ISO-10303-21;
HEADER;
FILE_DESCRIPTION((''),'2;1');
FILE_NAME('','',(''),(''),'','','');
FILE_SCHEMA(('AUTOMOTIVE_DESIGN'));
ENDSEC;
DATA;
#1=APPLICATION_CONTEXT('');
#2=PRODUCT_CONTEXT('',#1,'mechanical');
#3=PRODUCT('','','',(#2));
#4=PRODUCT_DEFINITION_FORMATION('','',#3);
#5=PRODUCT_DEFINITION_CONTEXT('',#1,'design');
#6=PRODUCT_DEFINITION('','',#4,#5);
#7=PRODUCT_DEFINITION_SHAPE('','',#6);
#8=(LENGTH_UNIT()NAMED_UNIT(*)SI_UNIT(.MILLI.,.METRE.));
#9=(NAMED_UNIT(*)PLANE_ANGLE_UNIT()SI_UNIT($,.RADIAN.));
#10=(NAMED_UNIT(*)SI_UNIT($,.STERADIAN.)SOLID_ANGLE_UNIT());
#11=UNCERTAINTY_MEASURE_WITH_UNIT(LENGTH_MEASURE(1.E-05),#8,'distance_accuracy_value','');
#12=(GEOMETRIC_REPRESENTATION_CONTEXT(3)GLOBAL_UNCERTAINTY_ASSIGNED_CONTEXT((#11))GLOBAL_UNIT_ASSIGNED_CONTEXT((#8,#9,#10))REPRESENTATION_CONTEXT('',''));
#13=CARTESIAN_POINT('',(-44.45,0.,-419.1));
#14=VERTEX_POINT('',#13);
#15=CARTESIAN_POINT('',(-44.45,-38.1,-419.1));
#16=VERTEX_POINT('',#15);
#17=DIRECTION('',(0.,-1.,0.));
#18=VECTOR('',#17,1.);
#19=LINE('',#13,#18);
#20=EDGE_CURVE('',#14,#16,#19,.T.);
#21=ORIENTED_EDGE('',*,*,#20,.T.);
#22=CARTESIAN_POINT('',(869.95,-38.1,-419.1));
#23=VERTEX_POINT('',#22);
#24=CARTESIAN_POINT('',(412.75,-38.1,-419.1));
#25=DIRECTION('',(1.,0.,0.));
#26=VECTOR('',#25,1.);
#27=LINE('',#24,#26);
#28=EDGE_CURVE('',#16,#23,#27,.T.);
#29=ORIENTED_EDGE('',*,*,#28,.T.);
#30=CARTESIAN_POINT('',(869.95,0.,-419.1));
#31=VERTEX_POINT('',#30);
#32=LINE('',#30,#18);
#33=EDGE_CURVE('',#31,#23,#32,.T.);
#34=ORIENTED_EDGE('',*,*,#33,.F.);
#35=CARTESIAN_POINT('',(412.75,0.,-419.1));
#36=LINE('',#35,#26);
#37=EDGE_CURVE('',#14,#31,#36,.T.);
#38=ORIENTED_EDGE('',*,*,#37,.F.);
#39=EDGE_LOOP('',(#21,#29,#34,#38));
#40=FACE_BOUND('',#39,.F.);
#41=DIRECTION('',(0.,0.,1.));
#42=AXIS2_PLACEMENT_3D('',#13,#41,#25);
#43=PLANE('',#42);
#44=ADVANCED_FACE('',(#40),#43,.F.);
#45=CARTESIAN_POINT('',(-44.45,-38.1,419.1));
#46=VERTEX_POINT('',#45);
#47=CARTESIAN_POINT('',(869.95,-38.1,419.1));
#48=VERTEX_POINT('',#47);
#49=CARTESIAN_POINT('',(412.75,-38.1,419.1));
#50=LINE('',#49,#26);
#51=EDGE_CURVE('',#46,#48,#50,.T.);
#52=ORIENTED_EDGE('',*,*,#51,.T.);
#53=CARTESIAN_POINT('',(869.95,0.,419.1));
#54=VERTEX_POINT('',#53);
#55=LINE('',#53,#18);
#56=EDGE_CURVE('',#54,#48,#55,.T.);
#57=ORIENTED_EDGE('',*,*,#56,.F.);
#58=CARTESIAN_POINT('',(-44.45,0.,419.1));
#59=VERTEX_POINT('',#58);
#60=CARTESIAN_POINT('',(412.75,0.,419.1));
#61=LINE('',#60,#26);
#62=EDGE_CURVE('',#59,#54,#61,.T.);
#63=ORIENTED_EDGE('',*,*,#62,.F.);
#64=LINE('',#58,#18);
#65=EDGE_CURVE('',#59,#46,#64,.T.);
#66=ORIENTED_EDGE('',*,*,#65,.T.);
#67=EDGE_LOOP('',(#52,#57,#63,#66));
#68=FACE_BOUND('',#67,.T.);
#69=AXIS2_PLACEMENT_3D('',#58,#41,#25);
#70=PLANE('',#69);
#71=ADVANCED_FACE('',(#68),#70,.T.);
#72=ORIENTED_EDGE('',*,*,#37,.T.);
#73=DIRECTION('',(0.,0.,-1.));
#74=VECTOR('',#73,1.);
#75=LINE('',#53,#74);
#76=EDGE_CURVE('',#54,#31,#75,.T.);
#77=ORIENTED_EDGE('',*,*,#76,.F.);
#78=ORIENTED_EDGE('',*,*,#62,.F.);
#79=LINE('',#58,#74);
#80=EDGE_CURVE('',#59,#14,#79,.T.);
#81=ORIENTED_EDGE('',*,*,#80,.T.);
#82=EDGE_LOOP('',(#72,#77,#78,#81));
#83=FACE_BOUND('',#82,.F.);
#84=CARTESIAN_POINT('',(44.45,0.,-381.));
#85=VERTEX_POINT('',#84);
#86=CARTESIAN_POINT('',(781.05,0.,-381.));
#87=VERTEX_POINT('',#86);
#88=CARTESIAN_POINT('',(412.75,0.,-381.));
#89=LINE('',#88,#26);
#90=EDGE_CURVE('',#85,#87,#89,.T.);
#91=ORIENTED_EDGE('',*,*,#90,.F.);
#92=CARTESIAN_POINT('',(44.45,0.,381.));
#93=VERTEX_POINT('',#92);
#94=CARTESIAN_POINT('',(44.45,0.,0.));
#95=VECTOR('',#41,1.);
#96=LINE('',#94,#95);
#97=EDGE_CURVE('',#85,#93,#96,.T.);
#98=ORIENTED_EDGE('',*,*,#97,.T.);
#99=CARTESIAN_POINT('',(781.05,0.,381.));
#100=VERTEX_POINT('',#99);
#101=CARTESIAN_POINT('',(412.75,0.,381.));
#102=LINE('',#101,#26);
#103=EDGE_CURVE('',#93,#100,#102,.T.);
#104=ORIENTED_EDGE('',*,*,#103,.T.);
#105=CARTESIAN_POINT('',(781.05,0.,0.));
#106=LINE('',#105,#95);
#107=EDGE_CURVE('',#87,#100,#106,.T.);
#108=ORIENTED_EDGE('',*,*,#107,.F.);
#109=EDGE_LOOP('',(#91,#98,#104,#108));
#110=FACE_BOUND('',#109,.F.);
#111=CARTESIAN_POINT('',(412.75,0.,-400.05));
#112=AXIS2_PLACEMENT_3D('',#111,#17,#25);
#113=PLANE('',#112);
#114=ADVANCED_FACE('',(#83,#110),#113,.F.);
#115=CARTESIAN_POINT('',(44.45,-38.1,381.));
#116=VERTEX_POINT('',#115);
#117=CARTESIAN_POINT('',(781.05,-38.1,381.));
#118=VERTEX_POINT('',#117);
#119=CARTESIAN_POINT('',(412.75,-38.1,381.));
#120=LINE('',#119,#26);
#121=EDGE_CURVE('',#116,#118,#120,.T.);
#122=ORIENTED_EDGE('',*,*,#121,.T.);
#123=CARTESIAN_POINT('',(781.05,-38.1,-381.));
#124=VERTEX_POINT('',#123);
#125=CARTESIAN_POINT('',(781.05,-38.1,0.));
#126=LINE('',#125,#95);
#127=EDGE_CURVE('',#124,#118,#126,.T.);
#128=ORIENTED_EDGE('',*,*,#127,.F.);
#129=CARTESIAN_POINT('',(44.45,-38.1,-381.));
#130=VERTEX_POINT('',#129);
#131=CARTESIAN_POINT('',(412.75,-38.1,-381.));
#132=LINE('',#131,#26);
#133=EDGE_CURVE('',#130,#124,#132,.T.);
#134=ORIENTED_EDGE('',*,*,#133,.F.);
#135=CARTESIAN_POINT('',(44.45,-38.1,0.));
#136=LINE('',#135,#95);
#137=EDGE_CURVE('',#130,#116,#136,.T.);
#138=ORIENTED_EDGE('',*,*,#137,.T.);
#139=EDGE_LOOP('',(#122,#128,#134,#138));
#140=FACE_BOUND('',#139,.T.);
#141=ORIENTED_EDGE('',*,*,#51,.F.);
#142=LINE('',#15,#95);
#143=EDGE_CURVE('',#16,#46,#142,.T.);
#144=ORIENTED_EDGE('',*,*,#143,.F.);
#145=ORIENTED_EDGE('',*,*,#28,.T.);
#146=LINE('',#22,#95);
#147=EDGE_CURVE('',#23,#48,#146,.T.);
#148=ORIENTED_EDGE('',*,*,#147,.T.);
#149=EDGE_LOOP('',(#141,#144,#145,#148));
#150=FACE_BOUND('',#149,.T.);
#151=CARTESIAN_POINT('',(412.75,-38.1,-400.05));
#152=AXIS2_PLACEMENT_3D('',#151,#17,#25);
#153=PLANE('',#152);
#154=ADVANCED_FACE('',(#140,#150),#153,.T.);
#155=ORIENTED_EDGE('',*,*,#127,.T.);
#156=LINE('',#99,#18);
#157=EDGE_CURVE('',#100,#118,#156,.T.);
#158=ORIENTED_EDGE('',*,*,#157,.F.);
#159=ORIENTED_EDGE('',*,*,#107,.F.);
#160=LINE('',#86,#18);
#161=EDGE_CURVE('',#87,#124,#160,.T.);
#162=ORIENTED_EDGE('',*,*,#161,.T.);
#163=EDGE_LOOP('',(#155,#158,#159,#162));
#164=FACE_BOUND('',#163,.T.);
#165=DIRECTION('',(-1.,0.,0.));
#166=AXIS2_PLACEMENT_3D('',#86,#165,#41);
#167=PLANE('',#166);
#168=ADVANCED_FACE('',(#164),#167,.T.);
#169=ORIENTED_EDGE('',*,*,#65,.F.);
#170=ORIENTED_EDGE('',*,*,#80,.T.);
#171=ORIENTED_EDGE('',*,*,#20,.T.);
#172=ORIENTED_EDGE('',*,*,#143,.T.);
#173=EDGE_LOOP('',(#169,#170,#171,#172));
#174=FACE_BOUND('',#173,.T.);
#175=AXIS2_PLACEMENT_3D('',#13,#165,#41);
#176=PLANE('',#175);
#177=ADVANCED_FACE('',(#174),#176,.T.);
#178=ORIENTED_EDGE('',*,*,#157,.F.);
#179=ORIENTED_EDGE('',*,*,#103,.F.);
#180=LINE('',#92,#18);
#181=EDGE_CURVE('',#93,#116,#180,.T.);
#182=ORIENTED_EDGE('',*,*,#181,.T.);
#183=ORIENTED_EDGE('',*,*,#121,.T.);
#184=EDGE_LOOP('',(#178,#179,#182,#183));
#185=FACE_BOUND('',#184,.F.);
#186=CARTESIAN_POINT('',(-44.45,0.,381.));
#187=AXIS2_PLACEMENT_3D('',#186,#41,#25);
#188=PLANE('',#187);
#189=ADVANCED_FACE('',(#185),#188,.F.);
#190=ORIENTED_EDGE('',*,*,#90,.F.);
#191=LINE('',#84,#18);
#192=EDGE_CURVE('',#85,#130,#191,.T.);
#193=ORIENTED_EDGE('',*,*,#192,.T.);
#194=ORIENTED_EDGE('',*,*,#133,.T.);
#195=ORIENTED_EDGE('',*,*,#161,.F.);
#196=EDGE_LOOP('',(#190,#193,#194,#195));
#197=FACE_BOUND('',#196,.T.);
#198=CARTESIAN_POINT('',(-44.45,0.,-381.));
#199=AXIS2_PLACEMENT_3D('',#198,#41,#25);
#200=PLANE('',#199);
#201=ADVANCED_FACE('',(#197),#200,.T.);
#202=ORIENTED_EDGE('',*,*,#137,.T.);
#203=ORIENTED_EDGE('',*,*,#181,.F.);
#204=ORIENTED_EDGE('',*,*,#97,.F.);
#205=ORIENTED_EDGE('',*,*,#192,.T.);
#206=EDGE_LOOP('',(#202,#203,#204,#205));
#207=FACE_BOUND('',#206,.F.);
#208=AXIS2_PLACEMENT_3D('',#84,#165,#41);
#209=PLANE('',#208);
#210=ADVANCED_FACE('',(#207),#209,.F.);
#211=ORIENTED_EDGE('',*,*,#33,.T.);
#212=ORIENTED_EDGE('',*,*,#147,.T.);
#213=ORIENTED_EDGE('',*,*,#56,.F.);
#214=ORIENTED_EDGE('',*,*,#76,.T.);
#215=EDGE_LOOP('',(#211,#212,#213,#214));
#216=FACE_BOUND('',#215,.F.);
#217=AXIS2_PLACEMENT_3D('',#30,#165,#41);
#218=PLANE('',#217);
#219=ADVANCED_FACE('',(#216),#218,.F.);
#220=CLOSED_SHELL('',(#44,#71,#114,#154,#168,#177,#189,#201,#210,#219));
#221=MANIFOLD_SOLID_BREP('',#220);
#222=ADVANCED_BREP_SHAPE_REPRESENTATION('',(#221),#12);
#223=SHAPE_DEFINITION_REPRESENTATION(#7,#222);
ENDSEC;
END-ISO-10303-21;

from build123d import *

# Parameters (mm, degrees)
F0_W     = 88.9
F0_H     = 762
F1_DEPTH = 38.1
F2_W     = 914.4
F2_H     = 38.1
F3_DEPTH = 38.1
F4_W     = 88.9
F4_H     = 762
F5_DEPTH = 38.1
F6_W     = 914.4
F6_H     = 38.1
F7_DEPTH = 38.1


with BuildPart() as f1:
    # F0 (on Front) → F1 (new body)
    with BuildSketch(Plane.XZ):
        Rectangle(F0_W, F0_H)
    extrude(amount=F1_DEPTH)

    # F2 (on Front) → F3 (join)
    with BuildSketch(Plane.XZ):
        with Locations((412.75, 400.05)):
            Rectangle(F2_W, F2_H)
    extrude(amount=F3_DEPTH)

    # F4 (on Front) → F5 (join)
    with BuildSketch(Plane.XZ):
        with Locations((825.5, 0)):
            Rectangle(F4_W, F4_H)
    extrude(amount=F5_DEPTH)

    # F6 (on Front) → F7 (join)
    with BuildSketch(Plane.XZ):
        with Locations((412.75, -400.05)):
            Rectangle(F6_W, F6_H)
    extrude(amount=F7_DEPTH)


solid = f1.part
